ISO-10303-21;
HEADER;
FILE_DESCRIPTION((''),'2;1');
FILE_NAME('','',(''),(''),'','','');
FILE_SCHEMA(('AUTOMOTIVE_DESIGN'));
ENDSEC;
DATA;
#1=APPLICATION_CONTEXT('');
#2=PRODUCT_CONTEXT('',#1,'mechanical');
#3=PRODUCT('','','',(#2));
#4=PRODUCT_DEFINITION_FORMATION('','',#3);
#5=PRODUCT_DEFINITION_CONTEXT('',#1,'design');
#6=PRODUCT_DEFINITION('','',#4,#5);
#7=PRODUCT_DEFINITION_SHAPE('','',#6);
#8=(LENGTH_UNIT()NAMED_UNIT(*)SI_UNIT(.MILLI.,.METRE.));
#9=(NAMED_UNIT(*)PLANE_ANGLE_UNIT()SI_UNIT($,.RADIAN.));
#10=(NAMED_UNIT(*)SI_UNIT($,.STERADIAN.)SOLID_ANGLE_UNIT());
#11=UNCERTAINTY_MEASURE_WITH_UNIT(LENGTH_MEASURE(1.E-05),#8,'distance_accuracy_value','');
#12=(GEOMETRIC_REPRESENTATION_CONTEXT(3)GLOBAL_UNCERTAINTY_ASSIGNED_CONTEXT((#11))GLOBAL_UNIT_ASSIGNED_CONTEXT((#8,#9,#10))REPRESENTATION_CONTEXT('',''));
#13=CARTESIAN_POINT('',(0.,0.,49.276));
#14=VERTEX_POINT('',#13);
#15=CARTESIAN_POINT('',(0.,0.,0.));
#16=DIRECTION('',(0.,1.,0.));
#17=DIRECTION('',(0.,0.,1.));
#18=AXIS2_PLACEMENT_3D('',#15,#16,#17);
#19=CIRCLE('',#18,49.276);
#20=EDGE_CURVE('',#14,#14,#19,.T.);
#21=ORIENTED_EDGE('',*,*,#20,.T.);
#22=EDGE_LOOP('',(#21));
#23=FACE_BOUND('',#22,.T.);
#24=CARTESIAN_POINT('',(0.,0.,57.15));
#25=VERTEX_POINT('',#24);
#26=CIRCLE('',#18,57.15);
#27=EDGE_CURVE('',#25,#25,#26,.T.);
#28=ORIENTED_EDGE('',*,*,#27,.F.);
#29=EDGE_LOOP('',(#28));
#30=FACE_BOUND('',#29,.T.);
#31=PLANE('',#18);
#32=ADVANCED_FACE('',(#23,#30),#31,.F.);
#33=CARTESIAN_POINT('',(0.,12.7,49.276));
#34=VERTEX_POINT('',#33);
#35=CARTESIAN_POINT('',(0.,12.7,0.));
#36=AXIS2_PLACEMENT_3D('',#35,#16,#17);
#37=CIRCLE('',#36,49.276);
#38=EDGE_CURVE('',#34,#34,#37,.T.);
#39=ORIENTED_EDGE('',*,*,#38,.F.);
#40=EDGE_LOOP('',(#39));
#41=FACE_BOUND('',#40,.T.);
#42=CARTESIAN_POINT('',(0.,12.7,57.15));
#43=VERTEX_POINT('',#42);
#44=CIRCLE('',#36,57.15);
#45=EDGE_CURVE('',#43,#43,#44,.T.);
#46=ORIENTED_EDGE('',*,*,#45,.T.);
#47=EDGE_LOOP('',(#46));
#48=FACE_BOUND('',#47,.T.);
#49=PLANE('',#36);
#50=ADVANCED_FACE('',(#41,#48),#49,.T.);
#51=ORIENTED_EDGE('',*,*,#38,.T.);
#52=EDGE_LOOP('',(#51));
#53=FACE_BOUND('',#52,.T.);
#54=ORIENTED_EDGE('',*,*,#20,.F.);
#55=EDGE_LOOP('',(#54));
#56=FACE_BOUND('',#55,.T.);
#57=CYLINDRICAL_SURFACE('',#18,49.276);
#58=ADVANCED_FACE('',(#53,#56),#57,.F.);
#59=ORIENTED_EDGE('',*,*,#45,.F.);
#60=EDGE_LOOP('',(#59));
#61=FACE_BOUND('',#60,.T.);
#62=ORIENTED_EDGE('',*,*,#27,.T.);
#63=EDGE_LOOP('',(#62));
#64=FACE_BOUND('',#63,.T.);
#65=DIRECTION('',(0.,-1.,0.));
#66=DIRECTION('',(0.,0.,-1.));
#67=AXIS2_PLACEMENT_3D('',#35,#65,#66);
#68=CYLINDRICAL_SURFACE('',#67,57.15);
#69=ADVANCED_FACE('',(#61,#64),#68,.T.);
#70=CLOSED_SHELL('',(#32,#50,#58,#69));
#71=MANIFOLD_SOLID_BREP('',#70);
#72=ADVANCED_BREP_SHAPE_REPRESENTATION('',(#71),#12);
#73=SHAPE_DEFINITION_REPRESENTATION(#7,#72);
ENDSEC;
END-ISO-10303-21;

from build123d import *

# Parameters (mm, degrees)
SKETCH1_R           = 57.15
BOSS_EXTRUDE1_DEPTH = 12.7
SKETCH2_R           = 49.276
CUT_EXTRUDE1_DEPTH  = 12.7


with BuildPart() as part:
    # Sketch1 → Boss-Extrude1 (new body)
    with BuildSketch(Plane(origin=(0, 0, 0), x_dir=(1, 0, 0), z_dir=(0, 1, 0))):
        Circle(SKETCH1_R)
    extrude(amount=BOSS_EXTRUDE1_DEPTH)

    # Sketch2 → Cut-Extrude1 (cut)
    with BuildSketch(Plane(origin=(0, 12.7, 0), x_dir=(1, 0, 0), z_dir=(0, 1, 0))):
        Circle(SKETCH2_R)
    extrude(amount=-CUT_EXTRUDE1_DEPTH, mode=Mode.SUBTRACT)


solid = part.part
